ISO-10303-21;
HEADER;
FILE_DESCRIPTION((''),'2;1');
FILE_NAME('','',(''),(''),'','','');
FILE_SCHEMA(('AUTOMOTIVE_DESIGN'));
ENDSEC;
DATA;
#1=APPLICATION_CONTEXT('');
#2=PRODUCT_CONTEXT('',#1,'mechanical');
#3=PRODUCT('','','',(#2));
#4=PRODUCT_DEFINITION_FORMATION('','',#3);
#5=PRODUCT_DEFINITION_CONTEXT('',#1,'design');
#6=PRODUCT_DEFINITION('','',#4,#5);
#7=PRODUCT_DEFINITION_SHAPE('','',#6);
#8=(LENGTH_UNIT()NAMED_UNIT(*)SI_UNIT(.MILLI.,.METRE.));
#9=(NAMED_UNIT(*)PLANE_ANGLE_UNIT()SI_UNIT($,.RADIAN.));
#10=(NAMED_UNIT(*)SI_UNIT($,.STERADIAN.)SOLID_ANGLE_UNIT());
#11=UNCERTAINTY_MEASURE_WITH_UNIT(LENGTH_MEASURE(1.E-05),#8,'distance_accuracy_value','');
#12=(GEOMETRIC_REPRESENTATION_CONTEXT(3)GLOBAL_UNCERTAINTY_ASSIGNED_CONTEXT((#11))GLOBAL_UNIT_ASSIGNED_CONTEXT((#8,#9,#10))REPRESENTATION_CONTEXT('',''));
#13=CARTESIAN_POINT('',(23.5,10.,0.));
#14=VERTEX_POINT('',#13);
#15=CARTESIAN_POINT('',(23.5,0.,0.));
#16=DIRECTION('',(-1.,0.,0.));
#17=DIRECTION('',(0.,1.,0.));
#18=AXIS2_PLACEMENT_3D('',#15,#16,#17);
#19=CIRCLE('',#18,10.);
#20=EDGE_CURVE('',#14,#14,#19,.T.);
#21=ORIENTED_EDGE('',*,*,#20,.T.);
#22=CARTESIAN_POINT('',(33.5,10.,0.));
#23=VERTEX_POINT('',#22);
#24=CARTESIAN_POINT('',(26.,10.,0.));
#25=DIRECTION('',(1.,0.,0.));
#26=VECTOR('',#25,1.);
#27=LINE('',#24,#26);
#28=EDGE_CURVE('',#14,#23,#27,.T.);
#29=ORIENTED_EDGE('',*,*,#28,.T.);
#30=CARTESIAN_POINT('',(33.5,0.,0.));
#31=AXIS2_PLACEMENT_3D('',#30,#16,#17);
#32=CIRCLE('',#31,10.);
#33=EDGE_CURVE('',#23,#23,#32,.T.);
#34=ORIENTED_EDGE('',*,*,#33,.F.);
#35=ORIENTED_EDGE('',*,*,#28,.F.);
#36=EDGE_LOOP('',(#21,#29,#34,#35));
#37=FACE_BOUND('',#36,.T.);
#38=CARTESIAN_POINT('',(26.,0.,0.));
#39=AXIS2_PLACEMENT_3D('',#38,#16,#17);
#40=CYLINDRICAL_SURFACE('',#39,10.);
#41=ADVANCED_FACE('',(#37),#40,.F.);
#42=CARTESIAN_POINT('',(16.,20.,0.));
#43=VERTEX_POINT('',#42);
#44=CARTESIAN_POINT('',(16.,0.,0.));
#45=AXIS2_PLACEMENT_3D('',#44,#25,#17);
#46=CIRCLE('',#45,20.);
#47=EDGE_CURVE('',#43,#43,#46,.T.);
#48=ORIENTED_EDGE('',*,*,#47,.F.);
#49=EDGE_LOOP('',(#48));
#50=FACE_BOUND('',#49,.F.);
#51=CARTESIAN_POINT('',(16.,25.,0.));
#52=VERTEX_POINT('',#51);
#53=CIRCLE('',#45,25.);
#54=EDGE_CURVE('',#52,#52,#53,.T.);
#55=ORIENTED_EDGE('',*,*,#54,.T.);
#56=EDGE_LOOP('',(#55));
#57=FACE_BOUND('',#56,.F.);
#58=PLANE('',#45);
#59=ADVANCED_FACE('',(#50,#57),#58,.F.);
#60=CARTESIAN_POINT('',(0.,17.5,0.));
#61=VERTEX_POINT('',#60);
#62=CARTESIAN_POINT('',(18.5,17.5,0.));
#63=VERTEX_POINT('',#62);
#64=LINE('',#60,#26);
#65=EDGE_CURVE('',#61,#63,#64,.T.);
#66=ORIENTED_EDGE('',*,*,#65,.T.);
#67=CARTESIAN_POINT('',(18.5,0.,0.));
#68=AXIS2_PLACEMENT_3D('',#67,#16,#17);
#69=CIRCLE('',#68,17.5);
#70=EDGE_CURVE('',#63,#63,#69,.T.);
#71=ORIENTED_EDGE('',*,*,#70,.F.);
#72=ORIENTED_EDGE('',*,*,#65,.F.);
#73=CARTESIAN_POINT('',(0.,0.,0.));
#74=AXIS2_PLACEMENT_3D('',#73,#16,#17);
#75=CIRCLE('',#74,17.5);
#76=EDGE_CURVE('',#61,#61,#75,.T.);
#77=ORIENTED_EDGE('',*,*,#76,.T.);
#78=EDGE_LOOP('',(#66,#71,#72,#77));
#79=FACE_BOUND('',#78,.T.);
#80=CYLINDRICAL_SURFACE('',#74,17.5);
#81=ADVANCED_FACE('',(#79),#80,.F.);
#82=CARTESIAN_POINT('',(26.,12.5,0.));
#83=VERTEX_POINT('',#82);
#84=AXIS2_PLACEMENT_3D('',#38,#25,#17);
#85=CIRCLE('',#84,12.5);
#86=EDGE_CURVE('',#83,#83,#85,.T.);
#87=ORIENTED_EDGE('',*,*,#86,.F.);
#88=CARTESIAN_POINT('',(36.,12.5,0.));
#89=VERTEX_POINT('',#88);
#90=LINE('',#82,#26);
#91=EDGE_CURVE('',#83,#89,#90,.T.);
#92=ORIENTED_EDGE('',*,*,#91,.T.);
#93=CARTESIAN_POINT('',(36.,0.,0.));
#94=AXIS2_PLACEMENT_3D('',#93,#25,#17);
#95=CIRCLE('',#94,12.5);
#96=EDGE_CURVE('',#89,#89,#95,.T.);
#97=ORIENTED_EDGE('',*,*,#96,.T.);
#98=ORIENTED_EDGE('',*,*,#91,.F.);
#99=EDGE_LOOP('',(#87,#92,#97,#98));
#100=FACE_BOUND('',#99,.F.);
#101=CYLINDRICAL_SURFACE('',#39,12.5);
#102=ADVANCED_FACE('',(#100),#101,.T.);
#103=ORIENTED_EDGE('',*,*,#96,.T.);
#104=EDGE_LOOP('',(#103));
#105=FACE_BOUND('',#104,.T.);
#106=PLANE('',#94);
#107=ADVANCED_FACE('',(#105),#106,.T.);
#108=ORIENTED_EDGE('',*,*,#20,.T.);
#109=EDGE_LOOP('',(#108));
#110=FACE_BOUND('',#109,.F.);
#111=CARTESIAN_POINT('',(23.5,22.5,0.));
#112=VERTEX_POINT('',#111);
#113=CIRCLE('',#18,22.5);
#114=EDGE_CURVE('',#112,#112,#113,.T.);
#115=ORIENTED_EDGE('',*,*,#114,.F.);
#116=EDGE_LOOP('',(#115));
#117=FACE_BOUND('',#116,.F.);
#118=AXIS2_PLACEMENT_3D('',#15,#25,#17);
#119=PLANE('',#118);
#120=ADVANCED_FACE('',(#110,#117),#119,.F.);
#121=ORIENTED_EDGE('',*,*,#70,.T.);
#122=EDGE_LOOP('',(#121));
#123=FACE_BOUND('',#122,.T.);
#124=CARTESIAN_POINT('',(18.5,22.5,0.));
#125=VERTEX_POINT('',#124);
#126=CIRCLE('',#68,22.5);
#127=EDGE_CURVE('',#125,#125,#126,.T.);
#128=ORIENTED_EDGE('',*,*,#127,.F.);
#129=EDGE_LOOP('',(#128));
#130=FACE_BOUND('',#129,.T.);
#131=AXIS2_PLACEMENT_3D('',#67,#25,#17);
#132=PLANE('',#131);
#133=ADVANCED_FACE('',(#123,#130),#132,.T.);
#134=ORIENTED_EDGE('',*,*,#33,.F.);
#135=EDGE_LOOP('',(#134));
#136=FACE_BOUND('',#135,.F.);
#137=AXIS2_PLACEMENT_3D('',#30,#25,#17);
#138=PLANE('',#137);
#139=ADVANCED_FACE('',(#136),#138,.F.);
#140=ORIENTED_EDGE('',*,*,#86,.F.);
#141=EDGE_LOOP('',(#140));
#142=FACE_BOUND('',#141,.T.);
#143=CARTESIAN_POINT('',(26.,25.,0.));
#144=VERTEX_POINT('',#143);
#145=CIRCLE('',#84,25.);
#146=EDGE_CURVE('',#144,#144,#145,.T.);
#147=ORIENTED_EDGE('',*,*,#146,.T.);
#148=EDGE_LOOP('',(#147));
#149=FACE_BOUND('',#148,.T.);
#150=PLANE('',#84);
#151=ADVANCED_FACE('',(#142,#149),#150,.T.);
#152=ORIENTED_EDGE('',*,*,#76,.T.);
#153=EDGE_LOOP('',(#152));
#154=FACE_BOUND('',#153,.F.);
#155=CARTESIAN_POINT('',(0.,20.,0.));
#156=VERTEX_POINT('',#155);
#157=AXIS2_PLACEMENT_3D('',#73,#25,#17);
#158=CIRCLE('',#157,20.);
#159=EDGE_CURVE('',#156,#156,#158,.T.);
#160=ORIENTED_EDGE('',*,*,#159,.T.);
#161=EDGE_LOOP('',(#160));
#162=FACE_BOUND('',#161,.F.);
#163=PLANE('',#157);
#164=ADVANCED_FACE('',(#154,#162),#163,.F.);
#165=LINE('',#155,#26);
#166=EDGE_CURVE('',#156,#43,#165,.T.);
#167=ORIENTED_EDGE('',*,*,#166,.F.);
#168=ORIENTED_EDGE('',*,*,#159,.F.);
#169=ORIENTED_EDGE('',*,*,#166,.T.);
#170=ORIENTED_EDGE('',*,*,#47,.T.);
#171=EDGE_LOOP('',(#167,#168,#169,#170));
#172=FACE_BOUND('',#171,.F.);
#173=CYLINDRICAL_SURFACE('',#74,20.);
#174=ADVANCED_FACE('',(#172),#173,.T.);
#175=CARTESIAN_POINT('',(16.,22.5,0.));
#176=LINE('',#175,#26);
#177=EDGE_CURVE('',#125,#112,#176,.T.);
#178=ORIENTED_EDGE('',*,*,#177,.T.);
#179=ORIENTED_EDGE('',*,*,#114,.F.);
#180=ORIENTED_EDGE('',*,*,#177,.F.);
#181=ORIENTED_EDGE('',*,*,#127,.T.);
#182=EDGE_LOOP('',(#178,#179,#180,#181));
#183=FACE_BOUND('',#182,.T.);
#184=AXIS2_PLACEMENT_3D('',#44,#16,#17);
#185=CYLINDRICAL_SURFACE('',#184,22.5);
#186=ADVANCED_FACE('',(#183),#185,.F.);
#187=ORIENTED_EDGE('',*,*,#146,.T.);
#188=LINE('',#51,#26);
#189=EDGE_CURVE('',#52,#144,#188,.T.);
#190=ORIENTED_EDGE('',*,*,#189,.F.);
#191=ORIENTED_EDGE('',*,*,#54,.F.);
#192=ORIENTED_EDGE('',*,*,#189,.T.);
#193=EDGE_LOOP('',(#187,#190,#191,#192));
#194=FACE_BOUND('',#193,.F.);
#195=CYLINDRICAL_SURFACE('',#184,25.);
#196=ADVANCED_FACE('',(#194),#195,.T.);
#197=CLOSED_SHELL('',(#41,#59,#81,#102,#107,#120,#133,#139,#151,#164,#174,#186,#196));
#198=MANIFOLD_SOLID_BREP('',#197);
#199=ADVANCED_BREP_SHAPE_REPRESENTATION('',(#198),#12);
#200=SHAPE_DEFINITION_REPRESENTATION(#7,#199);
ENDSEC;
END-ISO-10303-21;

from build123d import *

# Parameters (mm, degrees)
F0_R     = 20
F1_DEPTH = 16
F2_R     = 25
F2_R_2   = 20
F3_DEPTH = 10
F4_R     = 12.5
F5_DEPTH = 10
F6_T     = -2.5


with BuildPart() as f1:
    # F0 (on Right) → F1 (new body)
    with BuildSketch(Plane.YZ):
        Circle(F0_R)
    extrude(amount=F1_DEPTH)

    # F2 (on face) → F3 (join)
    with BuildSketch(Plane.YZ.offset(16)):
        Circle(F2_R)
        Circle(F2_R_2, mode=Mode.SUBTRACT)
        Circle(F2_R_2)
    extrude(amount=F3_DEPTH)

    # F4 (on face) → F5 (join)
    with BuildSketch(Plane.YZ.offset(26)):
        Circle(F4_R)
    extrude(amount=F5_DEPTH)

    # F6
    f6_openings = [f1.faces().sort_by_distance(p)[0] for p in [
        (0, 0, 0),
    ]]
    offset(amount=F6_T, openings=f6_openings, kind=Kind.INTERSECTION)


solid = f1.part
